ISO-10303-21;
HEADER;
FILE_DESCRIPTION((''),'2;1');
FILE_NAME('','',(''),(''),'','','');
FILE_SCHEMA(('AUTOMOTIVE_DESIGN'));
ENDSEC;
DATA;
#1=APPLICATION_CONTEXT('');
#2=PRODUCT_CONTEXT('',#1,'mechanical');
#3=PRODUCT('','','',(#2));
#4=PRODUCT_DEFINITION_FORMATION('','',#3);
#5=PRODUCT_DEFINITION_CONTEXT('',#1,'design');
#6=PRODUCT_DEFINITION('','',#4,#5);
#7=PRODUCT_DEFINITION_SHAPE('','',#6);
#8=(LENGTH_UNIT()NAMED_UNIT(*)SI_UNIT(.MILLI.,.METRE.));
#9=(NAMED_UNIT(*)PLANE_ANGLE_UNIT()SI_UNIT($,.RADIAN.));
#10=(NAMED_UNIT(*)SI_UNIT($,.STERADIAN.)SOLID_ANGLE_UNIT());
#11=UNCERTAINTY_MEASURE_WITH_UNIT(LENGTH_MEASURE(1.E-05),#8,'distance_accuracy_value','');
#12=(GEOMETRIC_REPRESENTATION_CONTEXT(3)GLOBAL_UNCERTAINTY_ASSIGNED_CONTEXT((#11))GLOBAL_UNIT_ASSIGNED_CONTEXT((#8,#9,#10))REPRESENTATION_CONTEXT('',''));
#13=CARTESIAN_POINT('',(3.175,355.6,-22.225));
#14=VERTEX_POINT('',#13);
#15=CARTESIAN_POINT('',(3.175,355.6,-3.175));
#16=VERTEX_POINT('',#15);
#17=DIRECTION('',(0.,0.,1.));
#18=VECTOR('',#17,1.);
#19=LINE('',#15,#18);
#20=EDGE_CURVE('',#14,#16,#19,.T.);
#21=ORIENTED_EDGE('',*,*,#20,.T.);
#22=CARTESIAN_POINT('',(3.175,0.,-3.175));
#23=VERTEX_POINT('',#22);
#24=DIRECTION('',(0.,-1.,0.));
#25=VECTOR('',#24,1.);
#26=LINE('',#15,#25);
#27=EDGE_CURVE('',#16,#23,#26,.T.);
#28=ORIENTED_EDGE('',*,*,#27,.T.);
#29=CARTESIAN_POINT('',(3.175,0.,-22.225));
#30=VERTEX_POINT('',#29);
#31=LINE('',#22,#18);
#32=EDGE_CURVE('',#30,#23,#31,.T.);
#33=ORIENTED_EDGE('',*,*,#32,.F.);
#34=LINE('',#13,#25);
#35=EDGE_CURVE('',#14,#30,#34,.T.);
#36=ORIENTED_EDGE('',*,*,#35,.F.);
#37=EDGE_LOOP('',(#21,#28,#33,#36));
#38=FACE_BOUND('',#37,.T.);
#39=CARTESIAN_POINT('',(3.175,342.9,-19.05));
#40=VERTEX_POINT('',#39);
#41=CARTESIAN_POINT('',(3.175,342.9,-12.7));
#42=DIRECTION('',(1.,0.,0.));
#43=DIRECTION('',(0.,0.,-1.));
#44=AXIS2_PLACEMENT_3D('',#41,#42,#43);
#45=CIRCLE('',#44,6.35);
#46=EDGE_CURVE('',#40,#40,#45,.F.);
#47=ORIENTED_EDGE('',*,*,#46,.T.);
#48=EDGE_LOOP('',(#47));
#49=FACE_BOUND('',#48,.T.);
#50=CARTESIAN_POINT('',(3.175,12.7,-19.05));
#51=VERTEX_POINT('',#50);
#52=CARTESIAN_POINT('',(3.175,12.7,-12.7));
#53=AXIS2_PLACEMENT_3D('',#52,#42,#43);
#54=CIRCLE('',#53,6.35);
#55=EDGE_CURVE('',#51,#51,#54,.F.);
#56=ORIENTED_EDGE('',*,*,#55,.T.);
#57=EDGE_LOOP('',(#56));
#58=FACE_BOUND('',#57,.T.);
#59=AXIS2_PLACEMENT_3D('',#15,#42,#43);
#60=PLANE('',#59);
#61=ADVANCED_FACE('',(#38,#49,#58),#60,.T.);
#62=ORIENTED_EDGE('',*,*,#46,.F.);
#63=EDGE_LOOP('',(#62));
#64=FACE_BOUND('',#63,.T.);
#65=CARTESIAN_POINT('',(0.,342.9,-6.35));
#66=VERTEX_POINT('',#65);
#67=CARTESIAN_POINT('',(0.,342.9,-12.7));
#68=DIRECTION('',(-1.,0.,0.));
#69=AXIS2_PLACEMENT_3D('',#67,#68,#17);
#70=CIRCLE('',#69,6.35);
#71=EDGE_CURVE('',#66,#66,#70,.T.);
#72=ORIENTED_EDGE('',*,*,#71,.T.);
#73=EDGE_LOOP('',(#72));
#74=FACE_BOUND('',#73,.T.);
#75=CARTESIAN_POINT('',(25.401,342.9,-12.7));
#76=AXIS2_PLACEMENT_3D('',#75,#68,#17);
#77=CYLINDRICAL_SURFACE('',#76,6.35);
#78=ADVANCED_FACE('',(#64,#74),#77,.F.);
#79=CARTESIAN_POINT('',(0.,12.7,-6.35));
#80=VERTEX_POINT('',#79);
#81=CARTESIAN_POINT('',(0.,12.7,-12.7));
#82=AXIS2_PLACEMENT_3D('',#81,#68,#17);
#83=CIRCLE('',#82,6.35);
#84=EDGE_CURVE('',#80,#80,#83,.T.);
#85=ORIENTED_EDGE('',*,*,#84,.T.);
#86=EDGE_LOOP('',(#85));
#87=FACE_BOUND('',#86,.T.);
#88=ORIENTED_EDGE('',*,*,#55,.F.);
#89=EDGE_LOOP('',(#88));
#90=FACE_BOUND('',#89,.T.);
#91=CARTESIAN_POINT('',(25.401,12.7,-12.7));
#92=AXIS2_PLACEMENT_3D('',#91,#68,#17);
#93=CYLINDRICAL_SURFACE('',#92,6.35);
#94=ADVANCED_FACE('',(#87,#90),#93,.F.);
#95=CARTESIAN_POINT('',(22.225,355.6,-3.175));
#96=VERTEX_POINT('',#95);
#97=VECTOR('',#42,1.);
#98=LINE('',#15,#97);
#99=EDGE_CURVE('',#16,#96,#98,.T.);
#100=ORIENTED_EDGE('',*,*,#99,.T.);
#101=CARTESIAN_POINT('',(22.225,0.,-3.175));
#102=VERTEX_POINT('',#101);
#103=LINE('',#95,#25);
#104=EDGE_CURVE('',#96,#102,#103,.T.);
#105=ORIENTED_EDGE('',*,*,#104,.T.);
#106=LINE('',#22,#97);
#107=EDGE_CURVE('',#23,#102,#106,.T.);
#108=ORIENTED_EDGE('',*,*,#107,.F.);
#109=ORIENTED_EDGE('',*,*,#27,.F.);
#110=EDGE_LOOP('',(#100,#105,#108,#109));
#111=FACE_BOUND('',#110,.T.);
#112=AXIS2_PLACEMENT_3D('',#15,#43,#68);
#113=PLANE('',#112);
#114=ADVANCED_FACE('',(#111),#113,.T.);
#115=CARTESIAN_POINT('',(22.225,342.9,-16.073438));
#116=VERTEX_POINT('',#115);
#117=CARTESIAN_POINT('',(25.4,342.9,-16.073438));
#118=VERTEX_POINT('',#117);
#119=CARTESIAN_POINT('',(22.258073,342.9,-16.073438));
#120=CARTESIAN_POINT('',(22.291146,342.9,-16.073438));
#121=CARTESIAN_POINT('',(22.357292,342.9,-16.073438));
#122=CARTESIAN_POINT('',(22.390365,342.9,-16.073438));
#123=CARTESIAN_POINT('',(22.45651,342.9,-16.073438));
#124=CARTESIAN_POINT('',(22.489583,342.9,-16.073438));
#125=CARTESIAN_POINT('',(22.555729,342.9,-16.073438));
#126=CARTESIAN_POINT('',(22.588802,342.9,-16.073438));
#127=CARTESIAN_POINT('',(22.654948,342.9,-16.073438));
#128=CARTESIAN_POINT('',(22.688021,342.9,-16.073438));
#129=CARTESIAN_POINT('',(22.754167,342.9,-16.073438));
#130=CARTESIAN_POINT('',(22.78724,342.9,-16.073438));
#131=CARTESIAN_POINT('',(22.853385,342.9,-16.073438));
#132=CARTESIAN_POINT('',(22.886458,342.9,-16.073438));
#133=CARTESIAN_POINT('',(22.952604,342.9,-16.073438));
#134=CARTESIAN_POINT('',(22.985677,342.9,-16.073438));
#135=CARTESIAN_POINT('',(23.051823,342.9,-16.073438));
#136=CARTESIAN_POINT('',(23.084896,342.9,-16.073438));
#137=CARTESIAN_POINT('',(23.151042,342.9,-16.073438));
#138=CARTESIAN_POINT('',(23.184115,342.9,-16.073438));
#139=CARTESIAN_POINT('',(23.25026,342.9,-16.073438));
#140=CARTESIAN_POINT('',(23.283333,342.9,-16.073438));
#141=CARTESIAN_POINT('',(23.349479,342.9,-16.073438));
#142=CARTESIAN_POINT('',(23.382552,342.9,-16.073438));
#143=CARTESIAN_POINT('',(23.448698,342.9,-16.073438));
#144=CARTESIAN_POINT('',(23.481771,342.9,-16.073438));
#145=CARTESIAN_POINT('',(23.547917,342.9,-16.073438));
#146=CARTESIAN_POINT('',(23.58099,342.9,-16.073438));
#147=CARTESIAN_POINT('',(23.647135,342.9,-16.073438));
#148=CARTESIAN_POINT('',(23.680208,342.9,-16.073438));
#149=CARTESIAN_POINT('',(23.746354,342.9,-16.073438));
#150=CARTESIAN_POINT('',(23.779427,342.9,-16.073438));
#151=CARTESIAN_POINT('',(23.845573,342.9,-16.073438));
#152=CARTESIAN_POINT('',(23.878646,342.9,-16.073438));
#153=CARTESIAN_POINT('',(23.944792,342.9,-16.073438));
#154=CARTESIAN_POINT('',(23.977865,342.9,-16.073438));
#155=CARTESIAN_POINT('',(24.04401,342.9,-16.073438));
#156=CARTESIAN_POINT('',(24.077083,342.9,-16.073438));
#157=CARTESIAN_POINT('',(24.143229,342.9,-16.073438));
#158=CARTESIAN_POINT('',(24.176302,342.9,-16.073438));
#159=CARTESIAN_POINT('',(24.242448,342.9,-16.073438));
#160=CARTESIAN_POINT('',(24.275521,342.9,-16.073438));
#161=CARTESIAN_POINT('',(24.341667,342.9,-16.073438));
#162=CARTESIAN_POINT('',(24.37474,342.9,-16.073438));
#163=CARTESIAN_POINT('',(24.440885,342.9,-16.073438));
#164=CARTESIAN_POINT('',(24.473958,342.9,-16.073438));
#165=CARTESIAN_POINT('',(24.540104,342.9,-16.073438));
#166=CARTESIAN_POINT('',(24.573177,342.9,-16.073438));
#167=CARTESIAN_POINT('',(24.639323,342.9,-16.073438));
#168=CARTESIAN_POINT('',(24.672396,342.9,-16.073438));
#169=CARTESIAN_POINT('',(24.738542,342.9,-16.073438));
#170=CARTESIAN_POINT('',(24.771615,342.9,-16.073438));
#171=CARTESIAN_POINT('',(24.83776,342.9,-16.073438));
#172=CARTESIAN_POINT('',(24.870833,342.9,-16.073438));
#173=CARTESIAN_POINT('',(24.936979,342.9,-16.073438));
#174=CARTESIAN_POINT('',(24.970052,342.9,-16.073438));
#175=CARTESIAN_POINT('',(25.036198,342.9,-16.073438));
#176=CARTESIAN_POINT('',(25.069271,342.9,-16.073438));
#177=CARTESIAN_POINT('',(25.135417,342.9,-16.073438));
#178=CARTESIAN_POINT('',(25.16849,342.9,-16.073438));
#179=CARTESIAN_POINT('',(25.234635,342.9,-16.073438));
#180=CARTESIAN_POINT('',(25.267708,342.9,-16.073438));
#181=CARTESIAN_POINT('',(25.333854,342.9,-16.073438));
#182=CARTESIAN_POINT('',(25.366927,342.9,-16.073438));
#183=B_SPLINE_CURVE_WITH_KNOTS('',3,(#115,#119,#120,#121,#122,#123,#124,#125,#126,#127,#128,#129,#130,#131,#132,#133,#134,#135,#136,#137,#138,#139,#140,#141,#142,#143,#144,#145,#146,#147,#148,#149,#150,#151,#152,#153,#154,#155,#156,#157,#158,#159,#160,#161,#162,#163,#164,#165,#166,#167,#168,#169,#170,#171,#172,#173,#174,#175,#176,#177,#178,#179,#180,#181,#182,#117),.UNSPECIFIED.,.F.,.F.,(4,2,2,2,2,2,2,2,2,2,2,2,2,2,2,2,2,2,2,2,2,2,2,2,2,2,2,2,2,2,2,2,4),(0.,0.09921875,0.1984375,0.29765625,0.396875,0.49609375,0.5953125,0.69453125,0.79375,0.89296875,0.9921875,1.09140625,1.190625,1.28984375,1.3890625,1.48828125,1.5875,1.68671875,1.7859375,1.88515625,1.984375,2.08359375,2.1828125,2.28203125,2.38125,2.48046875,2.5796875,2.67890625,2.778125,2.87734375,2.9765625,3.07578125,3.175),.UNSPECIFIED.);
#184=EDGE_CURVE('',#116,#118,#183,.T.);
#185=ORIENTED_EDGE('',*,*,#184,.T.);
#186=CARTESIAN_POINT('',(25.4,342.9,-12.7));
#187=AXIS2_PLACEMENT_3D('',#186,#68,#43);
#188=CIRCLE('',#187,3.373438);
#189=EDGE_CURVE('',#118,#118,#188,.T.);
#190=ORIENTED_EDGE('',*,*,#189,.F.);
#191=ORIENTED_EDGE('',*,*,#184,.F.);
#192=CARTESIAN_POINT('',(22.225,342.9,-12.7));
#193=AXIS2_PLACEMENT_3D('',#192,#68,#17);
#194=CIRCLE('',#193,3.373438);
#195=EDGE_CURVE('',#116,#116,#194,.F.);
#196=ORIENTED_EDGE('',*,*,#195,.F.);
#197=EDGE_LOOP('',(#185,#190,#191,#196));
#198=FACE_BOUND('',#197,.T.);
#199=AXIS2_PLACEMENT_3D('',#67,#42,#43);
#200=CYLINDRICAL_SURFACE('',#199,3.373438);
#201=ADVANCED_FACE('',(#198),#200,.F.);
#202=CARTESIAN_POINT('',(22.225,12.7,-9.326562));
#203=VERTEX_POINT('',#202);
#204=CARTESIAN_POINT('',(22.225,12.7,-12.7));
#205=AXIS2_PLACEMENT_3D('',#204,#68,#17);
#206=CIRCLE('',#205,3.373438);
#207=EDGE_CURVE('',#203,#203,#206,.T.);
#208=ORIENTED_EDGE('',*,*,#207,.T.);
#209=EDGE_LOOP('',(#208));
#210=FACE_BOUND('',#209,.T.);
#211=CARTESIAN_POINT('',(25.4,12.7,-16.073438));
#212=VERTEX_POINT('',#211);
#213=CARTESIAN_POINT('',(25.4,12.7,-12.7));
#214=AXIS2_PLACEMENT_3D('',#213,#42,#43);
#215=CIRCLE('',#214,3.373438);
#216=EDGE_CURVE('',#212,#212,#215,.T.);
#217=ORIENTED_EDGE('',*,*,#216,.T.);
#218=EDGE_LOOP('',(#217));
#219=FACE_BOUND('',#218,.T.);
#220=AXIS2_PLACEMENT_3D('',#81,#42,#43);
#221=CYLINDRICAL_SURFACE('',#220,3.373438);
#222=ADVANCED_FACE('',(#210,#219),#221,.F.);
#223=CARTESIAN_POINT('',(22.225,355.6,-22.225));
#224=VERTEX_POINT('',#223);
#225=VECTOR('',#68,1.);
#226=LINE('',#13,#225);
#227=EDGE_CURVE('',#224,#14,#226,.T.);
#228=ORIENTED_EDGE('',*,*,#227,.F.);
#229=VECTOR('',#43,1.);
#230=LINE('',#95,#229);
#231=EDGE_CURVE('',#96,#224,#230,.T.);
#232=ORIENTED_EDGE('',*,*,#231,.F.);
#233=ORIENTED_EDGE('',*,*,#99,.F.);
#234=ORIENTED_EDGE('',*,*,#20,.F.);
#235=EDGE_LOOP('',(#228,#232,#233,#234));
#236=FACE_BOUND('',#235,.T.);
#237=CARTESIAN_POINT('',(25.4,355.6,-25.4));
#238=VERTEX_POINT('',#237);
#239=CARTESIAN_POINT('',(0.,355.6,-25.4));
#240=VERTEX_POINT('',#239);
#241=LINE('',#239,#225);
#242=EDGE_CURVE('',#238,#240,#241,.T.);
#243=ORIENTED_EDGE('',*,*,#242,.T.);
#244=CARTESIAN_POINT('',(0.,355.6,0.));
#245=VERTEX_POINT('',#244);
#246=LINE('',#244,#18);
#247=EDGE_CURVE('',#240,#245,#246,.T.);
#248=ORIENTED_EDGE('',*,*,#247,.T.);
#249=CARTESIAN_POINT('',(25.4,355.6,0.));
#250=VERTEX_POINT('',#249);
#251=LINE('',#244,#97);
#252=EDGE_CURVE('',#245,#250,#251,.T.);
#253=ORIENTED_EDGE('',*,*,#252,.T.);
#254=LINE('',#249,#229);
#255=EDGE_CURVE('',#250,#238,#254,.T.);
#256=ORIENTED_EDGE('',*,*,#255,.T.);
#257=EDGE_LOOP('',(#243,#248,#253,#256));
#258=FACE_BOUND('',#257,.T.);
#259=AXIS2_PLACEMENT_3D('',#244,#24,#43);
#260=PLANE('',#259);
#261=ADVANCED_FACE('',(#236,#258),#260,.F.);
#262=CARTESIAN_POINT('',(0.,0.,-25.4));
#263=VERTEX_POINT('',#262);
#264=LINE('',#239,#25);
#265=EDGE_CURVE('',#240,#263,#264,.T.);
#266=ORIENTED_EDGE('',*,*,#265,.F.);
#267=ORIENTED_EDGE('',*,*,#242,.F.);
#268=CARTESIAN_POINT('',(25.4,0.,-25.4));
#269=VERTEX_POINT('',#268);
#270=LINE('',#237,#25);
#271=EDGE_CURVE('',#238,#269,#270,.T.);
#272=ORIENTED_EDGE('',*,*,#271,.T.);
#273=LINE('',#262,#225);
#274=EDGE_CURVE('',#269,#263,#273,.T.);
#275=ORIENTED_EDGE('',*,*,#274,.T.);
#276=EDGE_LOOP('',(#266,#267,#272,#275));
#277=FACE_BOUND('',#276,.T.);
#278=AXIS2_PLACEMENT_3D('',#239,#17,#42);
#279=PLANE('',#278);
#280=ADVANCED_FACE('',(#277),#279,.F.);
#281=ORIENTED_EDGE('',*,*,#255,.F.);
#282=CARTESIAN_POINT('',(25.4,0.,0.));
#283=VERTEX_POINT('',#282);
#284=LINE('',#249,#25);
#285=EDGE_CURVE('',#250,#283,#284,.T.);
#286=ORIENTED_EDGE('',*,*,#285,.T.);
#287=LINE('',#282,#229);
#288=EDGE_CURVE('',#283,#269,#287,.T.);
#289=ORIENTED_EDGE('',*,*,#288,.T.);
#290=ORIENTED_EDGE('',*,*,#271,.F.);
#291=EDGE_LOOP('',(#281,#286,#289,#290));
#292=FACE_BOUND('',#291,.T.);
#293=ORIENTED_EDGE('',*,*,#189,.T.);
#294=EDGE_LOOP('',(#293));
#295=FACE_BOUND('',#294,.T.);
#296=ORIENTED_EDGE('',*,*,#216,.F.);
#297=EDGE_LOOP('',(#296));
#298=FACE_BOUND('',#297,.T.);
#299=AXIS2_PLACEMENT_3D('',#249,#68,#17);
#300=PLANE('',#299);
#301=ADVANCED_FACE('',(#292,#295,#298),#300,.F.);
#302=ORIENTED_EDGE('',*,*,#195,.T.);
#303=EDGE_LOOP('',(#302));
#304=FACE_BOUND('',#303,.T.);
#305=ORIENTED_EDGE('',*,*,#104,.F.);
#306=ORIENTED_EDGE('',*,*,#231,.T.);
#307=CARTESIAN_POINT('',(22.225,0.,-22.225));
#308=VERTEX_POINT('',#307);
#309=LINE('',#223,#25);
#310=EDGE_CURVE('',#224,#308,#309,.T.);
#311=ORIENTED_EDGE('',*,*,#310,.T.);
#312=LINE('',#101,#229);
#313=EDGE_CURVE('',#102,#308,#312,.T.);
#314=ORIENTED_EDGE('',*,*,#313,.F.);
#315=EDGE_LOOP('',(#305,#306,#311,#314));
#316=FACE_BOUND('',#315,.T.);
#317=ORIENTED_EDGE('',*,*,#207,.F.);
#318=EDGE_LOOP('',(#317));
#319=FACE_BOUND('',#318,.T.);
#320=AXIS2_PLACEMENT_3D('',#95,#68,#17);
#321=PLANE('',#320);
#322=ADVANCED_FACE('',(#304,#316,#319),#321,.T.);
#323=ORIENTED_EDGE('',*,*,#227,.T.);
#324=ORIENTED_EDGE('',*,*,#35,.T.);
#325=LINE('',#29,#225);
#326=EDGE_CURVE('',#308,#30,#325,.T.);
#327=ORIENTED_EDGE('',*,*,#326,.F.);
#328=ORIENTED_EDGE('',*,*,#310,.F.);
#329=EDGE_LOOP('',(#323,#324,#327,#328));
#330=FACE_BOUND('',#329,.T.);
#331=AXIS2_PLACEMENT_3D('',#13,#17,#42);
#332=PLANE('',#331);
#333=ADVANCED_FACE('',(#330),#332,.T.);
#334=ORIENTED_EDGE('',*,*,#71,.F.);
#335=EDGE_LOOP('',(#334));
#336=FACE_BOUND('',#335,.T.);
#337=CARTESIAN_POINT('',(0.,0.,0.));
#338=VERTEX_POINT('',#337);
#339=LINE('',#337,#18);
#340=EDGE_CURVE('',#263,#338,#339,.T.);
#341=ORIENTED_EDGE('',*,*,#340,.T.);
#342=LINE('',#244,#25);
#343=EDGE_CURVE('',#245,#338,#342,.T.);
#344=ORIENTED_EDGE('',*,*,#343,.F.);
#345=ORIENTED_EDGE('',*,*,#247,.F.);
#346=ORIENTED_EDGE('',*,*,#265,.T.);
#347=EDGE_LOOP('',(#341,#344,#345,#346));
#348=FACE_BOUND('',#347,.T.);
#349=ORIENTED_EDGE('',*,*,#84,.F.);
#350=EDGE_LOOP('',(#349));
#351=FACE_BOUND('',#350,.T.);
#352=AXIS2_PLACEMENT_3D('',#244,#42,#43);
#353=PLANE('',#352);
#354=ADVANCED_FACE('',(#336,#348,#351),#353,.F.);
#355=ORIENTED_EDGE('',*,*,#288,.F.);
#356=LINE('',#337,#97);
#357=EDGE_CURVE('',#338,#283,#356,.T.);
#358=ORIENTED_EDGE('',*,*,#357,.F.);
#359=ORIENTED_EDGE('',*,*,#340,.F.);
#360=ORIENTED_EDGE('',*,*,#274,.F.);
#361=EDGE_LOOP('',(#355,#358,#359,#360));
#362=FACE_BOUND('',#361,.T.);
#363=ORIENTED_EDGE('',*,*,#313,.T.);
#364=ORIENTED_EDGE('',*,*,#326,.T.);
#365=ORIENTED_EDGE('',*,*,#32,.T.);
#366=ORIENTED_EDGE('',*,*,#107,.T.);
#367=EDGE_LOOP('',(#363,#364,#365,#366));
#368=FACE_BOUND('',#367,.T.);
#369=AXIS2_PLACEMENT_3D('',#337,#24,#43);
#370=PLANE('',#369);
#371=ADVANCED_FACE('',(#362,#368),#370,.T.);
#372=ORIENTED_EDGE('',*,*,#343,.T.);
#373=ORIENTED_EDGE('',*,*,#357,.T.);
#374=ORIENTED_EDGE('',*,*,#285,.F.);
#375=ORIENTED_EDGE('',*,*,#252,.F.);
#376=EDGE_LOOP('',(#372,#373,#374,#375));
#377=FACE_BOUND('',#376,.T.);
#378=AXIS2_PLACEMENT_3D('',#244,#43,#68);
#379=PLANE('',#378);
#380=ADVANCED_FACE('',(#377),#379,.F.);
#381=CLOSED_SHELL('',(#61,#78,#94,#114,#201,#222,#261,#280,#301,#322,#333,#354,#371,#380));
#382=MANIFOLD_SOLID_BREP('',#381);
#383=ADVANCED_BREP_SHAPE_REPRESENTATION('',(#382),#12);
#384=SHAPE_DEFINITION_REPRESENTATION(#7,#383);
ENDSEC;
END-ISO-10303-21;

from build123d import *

# Parameters (mm, degrees)
SKETCH1_W           = 25.4
SKETCH1_H           = 25.4
SKETCH1_W_2         = 19.05
SKETCH1_H_2         = 19.05
BOSS_EXTRUDE1_DEPTH = 355.6
SKETCH2_R           = 3.3734375
CUT_EXTRUDE1_DEPTH  = 358.409680899
CUT_EXTRUDE2_REACH  = 359.41
SKETCH3_R           = 6.35


with BuildPart() as part:
    # Sketch1 → Boss-Extrude1 (new body)
    with BuildSketch(Plane(origin=(0, 0, 0), x_dir=(1, 0, 0), z_dir=(0, 1, 0))):
        with Locations((12.7, 12.7)):
            Rectangle(SKETCH1_W, SKETCH1_H)
        with Locations((12.7, 12.7)):
            Rectangle(SKETCH1_W_2, SKETCH1_H_2, mode=Mode.SUBTRACT)
    extrude(amount=BOSS_EXTRUDE1_DEPTH)

    # Sketch2 → Cut-Extrude1 (cut, through all)
    with BuildSketch(Plane(origin=(25.4, 0, 0), x_dir=(0, 0, -1), z_dir=(1, 0, 0))):
        with Locations((12.7, 12.7)):
            Circle(SKETCH2_R)
    cut_extrude1 = extrude(amount=-CUT_EXTRUDE1_DEPTH, mode=Mode.SUBTRACT)

    # Mirror1: Cut-Extrude1 across plane
    add(cut_extrude1.mirror(Plane.ZX.offset(177.8)), mode=Mode.SUBTRACT)

    # Sketch3 → Cut-Extrude2 (cut, up to next)
    with BuildSketch(Plane.ZY, mode=Mode.PRIVATE) as cut_extrude2_sk1:
        with Locations((-12.7, 342.9)):
            Circle(SKETCH3_R)
    cut_extrude2_tool1 = extrude(cut_extrude2_sk1.sketch, amount=-CUT_EXTRUDE2_REACH, mode=Mode.PRIVATE) & part.part
    # Sketch3 → Cut-Extrude2 (cut, up to next)
    with BuildSketch(Plane.ZY, mode=Mode.PRIVATE) as cut_extrude2_sk2:
        with Locations((-12.7, 12.7)):
            Circle(SKETCH3_R)
    cut_extrude2_tool2 = extrude(cut_extrude2_sk2.sketch, amount=-CUT_EXTRUDE2_REACH, mode=Mode.PRIVATE) & part.part
    add(cut_extrude2_tool1.solids().sort_by_distance((0, 342.9, -12.7))[0], mode=Mode.SUBTRACT)
    add(cut_extrude2_tool2.solids().sort_by_distance((0, 12.7, -12.7))[0], mode=Mode.SUBTRACT)


solid = part.part
